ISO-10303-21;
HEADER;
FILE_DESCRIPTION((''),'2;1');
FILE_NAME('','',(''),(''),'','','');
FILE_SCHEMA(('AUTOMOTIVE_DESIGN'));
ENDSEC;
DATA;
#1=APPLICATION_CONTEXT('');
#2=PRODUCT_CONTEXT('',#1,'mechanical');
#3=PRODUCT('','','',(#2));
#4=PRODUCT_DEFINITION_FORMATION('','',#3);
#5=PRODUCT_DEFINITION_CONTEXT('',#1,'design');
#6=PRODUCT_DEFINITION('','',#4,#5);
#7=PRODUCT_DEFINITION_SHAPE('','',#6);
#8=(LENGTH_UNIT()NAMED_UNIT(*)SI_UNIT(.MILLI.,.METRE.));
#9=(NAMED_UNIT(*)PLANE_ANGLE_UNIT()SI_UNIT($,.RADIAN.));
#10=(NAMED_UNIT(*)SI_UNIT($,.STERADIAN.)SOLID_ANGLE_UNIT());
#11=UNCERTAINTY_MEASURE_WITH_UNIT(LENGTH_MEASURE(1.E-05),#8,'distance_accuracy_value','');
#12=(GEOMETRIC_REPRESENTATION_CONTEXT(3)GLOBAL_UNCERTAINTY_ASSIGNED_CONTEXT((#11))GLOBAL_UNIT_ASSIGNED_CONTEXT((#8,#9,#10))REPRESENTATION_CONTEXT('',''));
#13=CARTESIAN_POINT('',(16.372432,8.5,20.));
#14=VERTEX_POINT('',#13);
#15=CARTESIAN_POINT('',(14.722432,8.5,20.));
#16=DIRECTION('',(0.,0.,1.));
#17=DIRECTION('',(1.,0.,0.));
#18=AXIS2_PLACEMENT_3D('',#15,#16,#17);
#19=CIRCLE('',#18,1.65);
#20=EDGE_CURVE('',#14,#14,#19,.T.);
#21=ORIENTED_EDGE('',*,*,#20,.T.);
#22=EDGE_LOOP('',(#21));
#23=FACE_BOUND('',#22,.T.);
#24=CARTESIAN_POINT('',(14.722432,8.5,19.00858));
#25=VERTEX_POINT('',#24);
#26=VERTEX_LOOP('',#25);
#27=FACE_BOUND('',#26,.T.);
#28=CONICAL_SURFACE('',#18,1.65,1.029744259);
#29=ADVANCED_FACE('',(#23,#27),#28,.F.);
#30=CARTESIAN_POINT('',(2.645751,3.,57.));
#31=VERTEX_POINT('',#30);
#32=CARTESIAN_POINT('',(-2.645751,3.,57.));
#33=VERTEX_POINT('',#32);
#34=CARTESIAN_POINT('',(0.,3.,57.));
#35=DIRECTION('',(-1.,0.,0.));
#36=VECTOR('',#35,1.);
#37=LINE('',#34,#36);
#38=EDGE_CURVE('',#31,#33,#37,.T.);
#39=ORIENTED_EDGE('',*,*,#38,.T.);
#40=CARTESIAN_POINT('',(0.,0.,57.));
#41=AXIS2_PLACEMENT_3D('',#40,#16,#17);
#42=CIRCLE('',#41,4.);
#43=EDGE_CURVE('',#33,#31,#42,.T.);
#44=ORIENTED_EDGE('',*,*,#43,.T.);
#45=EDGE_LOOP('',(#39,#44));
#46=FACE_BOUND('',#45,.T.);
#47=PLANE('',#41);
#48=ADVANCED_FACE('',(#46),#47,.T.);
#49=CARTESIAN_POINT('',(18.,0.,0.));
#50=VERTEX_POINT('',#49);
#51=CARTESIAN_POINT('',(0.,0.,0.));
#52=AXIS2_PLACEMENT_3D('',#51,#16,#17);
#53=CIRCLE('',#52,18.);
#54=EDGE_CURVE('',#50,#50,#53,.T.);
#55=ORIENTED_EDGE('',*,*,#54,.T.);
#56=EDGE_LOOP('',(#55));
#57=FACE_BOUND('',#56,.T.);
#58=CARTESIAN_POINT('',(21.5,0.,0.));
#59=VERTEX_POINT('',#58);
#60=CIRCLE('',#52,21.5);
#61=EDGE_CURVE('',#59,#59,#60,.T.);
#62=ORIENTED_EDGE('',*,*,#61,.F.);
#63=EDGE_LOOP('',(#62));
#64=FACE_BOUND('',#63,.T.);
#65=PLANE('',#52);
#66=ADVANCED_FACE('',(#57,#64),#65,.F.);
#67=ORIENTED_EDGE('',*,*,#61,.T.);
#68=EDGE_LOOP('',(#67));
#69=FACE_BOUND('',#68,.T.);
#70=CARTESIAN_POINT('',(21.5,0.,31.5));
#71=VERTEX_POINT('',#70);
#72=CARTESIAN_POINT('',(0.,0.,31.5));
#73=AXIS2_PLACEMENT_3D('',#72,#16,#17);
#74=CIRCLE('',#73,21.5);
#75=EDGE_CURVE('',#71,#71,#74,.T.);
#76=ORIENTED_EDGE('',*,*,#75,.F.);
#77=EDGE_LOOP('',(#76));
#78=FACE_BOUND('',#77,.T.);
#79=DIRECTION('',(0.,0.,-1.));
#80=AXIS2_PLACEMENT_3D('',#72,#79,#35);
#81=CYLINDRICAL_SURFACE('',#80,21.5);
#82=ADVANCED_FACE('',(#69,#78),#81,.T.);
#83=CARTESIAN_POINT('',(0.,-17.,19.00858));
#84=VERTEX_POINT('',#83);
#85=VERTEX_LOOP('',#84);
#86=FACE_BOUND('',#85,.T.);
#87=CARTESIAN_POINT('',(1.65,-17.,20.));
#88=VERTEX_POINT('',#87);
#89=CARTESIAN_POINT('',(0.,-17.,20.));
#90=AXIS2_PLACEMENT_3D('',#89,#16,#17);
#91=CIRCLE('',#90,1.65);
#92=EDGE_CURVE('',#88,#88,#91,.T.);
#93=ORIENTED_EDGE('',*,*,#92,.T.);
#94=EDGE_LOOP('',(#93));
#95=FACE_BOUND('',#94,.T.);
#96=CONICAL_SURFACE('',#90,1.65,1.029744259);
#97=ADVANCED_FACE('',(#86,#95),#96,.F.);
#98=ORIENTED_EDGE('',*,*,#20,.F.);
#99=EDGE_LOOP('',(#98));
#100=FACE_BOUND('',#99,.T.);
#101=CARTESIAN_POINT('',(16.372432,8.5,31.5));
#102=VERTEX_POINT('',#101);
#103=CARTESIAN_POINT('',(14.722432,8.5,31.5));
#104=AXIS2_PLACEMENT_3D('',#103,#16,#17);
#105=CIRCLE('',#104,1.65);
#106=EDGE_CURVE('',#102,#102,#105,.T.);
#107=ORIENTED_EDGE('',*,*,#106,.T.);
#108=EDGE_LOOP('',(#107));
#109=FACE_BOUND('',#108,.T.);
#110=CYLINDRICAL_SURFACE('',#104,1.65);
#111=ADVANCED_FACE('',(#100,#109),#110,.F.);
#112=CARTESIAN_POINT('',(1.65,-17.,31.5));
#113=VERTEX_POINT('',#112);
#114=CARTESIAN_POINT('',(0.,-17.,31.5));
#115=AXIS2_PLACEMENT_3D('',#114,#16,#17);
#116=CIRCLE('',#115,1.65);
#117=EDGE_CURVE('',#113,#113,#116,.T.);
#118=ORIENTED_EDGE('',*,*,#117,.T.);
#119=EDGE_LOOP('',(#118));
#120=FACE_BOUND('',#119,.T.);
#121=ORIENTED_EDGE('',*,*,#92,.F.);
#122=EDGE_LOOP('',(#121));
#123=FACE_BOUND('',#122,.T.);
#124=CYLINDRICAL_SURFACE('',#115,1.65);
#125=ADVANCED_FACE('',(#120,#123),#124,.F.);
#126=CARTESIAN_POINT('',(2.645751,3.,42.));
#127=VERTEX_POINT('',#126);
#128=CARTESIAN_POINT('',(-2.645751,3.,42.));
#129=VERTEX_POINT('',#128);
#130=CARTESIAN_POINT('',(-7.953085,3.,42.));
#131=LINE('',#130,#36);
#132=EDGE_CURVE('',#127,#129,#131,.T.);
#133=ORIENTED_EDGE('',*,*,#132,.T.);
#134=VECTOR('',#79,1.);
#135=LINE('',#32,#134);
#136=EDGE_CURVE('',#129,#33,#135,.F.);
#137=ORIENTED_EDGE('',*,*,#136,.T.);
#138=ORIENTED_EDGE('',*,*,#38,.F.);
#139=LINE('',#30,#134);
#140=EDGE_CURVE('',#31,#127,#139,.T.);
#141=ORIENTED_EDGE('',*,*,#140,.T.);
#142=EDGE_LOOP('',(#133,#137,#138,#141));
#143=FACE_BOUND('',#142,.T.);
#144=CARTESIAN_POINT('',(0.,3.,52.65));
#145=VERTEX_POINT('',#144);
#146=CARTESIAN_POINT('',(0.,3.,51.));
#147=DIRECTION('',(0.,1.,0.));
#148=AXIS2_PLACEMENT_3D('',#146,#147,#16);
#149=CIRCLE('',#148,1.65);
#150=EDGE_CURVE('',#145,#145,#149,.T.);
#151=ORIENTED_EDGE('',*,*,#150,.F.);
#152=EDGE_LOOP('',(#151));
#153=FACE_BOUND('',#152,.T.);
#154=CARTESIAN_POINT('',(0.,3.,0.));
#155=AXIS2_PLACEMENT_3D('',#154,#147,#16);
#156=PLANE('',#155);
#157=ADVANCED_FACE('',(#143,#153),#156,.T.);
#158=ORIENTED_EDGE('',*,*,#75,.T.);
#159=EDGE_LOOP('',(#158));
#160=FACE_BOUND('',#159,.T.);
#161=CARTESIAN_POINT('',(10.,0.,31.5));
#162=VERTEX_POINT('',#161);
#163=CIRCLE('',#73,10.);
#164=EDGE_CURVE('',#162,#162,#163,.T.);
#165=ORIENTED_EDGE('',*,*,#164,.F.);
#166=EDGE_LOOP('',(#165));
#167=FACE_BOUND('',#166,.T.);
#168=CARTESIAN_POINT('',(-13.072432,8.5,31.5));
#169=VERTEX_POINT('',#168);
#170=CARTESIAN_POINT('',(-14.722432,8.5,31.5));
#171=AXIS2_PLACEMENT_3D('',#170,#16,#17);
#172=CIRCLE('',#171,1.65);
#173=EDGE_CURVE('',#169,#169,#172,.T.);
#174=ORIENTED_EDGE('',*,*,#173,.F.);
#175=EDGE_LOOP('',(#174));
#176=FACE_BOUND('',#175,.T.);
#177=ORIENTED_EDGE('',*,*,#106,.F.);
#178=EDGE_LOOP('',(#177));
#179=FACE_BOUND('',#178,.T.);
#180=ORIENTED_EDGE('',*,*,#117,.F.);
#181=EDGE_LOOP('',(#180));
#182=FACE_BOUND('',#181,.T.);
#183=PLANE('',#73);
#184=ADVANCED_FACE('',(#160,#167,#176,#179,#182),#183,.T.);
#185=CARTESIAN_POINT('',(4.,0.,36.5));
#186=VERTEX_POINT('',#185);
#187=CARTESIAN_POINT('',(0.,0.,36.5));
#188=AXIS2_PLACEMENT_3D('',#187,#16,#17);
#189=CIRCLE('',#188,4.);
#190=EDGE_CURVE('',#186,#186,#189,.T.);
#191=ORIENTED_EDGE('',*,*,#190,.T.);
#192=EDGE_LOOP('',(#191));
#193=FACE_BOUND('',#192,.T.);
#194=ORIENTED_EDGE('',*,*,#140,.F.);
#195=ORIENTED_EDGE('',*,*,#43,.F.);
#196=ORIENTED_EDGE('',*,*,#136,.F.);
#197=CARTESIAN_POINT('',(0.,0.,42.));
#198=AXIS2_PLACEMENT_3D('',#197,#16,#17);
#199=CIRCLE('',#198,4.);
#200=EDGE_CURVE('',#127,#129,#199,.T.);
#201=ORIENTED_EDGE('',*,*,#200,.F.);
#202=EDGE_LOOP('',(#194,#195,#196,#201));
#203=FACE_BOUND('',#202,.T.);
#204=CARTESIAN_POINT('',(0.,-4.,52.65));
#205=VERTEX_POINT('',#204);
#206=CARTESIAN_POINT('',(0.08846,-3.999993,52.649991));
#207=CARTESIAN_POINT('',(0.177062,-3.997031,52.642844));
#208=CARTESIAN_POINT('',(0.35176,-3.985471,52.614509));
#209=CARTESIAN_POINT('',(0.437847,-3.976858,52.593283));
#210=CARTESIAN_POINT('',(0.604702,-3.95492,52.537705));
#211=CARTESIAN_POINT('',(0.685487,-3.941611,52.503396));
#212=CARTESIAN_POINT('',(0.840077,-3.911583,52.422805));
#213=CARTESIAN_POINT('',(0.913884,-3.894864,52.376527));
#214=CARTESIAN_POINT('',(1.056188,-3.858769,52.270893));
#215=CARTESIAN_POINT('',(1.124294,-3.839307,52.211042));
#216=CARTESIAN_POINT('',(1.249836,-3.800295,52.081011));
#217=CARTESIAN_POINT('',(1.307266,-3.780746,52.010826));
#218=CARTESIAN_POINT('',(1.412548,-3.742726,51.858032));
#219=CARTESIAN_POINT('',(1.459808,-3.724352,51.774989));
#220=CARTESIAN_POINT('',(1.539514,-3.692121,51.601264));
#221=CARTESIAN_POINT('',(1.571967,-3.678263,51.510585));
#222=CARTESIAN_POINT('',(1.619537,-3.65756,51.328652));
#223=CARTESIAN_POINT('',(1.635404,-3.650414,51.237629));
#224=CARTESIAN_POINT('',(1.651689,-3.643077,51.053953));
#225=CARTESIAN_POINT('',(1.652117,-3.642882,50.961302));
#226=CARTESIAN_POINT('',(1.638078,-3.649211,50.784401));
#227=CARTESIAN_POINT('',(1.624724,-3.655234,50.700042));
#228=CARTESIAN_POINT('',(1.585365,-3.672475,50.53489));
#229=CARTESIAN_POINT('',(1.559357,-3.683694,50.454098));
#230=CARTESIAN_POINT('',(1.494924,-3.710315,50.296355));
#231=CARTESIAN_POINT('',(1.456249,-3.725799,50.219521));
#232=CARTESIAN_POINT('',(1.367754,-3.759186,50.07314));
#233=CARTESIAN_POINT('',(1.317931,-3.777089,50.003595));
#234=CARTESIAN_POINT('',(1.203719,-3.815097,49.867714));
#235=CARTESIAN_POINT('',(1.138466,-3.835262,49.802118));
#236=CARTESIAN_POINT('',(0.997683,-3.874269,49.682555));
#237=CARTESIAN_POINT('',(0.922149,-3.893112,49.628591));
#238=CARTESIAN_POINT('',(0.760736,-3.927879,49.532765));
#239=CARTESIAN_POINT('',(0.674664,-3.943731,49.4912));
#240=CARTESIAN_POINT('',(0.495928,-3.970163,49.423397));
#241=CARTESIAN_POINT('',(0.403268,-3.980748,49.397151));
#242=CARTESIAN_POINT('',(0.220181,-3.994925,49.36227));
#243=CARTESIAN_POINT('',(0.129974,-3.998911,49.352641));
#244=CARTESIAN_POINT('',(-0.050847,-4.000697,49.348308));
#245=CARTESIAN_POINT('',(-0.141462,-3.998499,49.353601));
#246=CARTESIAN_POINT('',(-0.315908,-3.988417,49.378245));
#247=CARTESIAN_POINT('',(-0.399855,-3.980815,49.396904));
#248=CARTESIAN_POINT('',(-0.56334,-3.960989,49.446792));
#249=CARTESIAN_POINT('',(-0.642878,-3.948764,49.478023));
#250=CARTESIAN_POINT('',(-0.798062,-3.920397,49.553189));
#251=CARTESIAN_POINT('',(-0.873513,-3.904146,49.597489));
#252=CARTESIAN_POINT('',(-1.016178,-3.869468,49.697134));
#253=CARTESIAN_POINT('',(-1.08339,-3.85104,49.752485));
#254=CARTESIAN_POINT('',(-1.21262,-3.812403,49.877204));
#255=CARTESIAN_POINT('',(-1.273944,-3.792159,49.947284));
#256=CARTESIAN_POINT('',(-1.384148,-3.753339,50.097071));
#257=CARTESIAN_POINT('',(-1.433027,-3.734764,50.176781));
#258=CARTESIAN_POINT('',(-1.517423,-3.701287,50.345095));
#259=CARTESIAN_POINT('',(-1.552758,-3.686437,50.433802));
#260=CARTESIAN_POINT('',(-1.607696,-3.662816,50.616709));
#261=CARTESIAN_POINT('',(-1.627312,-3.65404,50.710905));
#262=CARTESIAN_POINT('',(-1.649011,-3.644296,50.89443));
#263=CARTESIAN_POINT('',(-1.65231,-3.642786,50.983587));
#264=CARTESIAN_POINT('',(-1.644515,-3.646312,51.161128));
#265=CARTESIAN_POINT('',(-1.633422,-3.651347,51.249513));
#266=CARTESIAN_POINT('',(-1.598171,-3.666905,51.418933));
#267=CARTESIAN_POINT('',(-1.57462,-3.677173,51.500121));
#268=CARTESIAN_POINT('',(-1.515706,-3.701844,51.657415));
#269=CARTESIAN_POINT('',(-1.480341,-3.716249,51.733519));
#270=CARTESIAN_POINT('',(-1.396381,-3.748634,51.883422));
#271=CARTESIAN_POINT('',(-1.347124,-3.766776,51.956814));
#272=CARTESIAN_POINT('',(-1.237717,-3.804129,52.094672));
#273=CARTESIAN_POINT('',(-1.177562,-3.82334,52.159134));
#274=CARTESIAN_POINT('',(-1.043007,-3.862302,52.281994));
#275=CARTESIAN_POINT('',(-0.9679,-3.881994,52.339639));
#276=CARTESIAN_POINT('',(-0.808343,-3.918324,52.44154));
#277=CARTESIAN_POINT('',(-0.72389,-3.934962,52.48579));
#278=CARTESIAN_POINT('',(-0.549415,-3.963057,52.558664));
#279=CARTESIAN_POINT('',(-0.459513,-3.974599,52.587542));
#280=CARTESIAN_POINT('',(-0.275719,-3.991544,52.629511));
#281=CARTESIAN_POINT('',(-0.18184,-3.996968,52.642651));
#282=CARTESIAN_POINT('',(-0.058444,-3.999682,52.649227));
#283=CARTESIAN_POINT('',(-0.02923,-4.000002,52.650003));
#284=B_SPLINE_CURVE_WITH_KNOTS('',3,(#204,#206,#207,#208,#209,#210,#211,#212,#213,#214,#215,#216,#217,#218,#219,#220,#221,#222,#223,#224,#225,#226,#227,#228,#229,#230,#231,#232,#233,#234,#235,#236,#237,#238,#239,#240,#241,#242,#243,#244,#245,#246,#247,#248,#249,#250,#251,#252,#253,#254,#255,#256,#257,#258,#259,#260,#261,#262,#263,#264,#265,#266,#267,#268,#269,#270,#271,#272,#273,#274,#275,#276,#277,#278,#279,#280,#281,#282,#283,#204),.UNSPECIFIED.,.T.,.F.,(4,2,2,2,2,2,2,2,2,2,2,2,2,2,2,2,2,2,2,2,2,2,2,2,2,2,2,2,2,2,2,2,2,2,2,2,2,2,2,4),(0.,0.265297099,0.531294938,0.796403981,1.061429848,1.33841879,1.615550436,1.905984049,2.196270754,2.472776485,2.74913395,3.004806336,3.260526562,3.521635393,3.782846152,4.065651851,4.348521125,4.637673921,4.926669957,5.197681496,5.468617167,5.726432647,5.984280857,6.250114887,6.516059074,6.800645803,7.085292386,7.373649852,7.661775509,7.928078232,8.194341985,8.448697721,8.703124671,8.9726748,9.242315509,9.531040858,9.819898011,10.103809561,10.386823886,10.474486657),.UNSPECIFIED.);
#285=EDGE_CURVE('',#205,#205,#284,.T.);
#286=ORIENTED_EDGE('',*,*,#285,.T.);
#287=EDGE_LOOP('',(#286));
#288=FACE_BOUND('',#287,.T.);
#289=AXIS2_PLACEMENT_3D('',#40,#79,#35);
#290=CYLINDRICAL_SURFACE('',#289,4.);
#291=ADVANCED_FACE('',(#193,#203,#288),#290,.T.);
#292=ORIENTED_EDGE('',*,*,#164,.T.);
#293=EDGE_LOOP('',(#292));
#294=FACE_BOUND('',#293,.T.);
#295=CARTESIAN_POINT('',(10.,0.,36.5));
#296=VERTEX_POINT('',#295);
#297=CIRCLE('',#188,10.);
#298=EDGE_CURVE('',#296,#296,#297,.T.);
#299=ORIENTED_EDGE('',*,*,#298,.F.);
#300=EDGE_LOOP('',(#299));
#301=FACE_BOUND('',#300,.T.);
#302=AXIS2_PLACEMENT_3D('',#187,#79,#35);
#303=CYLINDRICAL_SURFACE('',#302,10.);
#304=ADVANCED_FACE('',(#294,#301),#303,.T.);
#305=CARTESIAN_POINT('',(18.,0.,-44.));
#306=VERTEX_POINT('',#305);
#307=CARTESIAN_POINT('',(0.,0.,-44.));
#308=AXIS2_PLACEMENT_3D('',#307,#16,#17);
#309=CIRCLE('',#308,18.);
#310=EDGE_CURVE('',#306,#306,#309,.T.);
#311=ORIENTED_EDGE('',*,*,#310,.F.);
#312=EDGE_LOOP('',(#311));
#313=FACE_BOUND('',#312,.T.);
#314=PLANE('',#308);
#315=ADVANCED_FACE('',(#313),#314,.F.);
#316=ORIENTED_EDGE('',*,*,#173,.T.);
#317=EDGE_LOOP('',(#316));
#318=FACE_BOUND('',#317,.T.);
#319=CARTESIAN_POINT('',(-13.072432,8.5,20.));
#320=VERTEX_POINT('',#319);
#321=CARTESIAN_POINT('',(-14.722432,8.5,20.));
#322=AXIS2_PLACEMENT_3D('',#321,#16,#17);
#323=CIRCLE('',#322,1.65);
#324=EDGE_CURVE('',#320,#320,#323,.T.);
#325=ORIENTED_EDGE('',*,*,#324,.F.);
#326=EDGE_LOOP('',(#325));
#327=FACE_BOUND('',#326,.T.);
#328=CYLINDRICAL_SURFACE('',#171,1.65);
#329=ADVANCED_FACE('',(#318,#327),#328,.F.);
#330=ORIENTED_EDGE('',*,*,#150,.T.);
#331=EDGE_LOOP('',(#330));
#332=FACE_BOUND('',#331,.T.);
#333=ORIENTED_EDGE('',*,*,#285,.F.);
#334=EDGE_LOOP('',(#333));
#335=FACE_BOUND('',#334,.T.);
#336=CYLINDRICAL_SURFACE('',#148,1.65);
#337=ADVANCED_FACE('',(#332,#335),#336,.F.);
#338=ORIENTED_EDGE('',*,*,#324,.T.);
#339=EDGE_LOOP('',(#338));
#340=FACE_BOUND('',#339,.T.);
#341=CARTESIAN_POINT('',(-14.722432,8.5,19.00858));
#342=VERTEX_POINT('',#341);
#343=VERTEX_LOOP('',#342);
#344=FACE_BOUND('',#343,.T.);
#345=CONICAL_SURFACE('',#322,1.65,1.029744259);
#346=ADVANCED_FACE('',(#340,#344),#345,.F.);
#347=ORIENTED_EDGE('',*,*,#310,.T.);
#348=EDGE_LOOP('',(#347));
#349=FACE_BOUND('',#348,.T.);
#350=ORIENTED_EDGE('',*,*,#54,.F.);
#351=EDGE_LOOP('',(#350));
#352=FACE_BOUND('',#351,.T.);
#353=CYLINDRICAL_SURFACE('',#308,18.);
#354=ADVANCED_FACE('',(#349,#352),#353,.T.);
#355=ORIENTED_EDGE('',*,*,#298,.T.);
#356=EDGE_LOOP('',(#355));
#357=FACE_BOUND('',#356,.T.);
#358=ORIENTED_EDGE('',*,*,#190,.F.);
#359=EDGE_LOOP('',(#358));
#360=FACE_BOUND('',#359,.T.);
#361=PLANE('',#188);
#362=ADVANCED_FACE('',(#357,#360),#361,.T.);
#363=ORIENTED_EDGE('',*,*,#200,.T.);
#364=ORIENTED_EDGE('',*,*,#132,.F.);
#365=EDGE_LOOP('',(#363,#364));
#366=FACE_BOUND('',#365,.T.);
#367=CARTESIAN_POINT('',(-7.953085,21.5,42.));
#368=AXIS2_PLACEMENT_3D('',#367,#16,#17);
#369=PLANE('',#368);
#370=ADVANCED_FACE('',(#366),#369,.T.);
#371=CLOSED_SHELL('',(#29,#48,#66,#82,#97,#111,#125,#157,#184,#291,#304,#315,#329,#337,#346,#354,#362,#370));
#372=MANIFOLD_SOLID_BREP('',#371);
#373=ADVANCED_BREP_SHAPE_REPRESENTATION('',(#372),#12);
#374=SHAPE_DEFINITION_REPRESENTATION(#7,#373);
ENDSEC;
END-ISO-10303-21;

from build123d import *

# Parameters (mm, degrees)
SKETCH_1_R          = 21.5
SKETCH_1_R_2        = 18
EXTRUDE_1_DEPTH     = 31.5
SKETCH_1_3_R        = 18
EXTRUDE_2_DEPTH     = 44
SKETCH_2_R          = 10
SKETCH_2_R_2        = 4
EXTRUDE_3_DEPTH     = 5
SKETCH_2_2_R        = 4
EXTRUDE_4_DEPTH     = 25.5
CUT_EXTRUDE_START   = 3
SKETCH_3_W          = 15.90617044
SKETCH_3_H          = 15
CUT_EXTRUDE_1_DEPTH = 62.602631525
M4X0_7_1_D          = 3.3
M4X0_7_1_DEPTH      = 11.5
M4X0_7_1_TIP        = 0.991420021
M4X0_7_2_D          = 3.3


with BuildPart() as part:
    # ｽｹｯﾁ1 → ﾎﾞｽ - 押し出し1 (new body)
    with BuildSketch(Plane.XY):
        Circle(SKETCH_1_R)
        Circle(SKETCH_1_R_2, mode=Mode.SUBTRACT)
        Circle(SKETCH_1_R_2)
    extrude(amount=EXTRUDE_1_DEPTH)

    # ｽｹｯﾁ1<3> → ﾎﾞｽ - 押し出し2 (add)
    with BuildSketch(Plane.XY):
        Circle(SKETCH_1_3_R)
    extrude(amount=-EXTRUDE_2_DEPTH)

    # ｽｹｯﾁ2 → ﾎﾞｽ - 押し出し3 (add)
    with BuildSketch(Plane.XY.offset(31.5)):
        Circle(SKETCH_2_R)
        Circle(SKETCH_2_R_2, mode=Mode.SUBTRACT)
    extrude(amount=EXTRUDE_3_DEPTH)

    # ｽｹｯﾁ2<2> → ﾎﾞｽ - 押し出し4 (add)
    with BuildSketch(Plane.XY.offset(31.5)):
        Circle(SKETCH_2_2_R)
    extrude(amount=EXTRUDE_4_DEPTH)

    # ｽｹｯﾁ3 → ｶｯﾄ - 押し出し1 (cut, through all)
    with BuildSketch(Plane(origin=(0, 0, 0), x_dir=(1, 0, 0), z_dir=(0, 1, 0)).offset(CUT_EXTRUDE_START)):
        with Locations((0, -49.5)):
            Rectangle(SKETCH_3_W, SKETCH_3_H)
    extrude(amount=CUT_EXTRUDE_1_DEPTH, mode=Mode.SUBTRACT)

    # M4x0.7 ねじ穴1
    with Locations(Plane.XY.offset(31.5)):
        with Locations((0, -17), (-14.722431864, 8.5), (14.722431864, 8.5)):
            Hole(M4X0_7_1_D / 2, depth=M4X0_7_1_DEPTH)
            with Locations((0, 0, -(M4X0_7_1_DEPTH + M4X0_7_1_TIP / 2))):  # 118° drill point
                Cone(0, M4X0_7_1_D / 2, M4X0_7_1_TIP, mode=Mode.SUBTRACT)

    # M4x0.7 ねじ穴2 (through all)
    with Locations(Plane(origin=(0, 3, 0), x_dir=(1, 0, 0), z_dir=(0, 1, 0))):
        with Locations((0, -51)):
            Hole(M4X0_7_2_D / 2)


solid = part.part
